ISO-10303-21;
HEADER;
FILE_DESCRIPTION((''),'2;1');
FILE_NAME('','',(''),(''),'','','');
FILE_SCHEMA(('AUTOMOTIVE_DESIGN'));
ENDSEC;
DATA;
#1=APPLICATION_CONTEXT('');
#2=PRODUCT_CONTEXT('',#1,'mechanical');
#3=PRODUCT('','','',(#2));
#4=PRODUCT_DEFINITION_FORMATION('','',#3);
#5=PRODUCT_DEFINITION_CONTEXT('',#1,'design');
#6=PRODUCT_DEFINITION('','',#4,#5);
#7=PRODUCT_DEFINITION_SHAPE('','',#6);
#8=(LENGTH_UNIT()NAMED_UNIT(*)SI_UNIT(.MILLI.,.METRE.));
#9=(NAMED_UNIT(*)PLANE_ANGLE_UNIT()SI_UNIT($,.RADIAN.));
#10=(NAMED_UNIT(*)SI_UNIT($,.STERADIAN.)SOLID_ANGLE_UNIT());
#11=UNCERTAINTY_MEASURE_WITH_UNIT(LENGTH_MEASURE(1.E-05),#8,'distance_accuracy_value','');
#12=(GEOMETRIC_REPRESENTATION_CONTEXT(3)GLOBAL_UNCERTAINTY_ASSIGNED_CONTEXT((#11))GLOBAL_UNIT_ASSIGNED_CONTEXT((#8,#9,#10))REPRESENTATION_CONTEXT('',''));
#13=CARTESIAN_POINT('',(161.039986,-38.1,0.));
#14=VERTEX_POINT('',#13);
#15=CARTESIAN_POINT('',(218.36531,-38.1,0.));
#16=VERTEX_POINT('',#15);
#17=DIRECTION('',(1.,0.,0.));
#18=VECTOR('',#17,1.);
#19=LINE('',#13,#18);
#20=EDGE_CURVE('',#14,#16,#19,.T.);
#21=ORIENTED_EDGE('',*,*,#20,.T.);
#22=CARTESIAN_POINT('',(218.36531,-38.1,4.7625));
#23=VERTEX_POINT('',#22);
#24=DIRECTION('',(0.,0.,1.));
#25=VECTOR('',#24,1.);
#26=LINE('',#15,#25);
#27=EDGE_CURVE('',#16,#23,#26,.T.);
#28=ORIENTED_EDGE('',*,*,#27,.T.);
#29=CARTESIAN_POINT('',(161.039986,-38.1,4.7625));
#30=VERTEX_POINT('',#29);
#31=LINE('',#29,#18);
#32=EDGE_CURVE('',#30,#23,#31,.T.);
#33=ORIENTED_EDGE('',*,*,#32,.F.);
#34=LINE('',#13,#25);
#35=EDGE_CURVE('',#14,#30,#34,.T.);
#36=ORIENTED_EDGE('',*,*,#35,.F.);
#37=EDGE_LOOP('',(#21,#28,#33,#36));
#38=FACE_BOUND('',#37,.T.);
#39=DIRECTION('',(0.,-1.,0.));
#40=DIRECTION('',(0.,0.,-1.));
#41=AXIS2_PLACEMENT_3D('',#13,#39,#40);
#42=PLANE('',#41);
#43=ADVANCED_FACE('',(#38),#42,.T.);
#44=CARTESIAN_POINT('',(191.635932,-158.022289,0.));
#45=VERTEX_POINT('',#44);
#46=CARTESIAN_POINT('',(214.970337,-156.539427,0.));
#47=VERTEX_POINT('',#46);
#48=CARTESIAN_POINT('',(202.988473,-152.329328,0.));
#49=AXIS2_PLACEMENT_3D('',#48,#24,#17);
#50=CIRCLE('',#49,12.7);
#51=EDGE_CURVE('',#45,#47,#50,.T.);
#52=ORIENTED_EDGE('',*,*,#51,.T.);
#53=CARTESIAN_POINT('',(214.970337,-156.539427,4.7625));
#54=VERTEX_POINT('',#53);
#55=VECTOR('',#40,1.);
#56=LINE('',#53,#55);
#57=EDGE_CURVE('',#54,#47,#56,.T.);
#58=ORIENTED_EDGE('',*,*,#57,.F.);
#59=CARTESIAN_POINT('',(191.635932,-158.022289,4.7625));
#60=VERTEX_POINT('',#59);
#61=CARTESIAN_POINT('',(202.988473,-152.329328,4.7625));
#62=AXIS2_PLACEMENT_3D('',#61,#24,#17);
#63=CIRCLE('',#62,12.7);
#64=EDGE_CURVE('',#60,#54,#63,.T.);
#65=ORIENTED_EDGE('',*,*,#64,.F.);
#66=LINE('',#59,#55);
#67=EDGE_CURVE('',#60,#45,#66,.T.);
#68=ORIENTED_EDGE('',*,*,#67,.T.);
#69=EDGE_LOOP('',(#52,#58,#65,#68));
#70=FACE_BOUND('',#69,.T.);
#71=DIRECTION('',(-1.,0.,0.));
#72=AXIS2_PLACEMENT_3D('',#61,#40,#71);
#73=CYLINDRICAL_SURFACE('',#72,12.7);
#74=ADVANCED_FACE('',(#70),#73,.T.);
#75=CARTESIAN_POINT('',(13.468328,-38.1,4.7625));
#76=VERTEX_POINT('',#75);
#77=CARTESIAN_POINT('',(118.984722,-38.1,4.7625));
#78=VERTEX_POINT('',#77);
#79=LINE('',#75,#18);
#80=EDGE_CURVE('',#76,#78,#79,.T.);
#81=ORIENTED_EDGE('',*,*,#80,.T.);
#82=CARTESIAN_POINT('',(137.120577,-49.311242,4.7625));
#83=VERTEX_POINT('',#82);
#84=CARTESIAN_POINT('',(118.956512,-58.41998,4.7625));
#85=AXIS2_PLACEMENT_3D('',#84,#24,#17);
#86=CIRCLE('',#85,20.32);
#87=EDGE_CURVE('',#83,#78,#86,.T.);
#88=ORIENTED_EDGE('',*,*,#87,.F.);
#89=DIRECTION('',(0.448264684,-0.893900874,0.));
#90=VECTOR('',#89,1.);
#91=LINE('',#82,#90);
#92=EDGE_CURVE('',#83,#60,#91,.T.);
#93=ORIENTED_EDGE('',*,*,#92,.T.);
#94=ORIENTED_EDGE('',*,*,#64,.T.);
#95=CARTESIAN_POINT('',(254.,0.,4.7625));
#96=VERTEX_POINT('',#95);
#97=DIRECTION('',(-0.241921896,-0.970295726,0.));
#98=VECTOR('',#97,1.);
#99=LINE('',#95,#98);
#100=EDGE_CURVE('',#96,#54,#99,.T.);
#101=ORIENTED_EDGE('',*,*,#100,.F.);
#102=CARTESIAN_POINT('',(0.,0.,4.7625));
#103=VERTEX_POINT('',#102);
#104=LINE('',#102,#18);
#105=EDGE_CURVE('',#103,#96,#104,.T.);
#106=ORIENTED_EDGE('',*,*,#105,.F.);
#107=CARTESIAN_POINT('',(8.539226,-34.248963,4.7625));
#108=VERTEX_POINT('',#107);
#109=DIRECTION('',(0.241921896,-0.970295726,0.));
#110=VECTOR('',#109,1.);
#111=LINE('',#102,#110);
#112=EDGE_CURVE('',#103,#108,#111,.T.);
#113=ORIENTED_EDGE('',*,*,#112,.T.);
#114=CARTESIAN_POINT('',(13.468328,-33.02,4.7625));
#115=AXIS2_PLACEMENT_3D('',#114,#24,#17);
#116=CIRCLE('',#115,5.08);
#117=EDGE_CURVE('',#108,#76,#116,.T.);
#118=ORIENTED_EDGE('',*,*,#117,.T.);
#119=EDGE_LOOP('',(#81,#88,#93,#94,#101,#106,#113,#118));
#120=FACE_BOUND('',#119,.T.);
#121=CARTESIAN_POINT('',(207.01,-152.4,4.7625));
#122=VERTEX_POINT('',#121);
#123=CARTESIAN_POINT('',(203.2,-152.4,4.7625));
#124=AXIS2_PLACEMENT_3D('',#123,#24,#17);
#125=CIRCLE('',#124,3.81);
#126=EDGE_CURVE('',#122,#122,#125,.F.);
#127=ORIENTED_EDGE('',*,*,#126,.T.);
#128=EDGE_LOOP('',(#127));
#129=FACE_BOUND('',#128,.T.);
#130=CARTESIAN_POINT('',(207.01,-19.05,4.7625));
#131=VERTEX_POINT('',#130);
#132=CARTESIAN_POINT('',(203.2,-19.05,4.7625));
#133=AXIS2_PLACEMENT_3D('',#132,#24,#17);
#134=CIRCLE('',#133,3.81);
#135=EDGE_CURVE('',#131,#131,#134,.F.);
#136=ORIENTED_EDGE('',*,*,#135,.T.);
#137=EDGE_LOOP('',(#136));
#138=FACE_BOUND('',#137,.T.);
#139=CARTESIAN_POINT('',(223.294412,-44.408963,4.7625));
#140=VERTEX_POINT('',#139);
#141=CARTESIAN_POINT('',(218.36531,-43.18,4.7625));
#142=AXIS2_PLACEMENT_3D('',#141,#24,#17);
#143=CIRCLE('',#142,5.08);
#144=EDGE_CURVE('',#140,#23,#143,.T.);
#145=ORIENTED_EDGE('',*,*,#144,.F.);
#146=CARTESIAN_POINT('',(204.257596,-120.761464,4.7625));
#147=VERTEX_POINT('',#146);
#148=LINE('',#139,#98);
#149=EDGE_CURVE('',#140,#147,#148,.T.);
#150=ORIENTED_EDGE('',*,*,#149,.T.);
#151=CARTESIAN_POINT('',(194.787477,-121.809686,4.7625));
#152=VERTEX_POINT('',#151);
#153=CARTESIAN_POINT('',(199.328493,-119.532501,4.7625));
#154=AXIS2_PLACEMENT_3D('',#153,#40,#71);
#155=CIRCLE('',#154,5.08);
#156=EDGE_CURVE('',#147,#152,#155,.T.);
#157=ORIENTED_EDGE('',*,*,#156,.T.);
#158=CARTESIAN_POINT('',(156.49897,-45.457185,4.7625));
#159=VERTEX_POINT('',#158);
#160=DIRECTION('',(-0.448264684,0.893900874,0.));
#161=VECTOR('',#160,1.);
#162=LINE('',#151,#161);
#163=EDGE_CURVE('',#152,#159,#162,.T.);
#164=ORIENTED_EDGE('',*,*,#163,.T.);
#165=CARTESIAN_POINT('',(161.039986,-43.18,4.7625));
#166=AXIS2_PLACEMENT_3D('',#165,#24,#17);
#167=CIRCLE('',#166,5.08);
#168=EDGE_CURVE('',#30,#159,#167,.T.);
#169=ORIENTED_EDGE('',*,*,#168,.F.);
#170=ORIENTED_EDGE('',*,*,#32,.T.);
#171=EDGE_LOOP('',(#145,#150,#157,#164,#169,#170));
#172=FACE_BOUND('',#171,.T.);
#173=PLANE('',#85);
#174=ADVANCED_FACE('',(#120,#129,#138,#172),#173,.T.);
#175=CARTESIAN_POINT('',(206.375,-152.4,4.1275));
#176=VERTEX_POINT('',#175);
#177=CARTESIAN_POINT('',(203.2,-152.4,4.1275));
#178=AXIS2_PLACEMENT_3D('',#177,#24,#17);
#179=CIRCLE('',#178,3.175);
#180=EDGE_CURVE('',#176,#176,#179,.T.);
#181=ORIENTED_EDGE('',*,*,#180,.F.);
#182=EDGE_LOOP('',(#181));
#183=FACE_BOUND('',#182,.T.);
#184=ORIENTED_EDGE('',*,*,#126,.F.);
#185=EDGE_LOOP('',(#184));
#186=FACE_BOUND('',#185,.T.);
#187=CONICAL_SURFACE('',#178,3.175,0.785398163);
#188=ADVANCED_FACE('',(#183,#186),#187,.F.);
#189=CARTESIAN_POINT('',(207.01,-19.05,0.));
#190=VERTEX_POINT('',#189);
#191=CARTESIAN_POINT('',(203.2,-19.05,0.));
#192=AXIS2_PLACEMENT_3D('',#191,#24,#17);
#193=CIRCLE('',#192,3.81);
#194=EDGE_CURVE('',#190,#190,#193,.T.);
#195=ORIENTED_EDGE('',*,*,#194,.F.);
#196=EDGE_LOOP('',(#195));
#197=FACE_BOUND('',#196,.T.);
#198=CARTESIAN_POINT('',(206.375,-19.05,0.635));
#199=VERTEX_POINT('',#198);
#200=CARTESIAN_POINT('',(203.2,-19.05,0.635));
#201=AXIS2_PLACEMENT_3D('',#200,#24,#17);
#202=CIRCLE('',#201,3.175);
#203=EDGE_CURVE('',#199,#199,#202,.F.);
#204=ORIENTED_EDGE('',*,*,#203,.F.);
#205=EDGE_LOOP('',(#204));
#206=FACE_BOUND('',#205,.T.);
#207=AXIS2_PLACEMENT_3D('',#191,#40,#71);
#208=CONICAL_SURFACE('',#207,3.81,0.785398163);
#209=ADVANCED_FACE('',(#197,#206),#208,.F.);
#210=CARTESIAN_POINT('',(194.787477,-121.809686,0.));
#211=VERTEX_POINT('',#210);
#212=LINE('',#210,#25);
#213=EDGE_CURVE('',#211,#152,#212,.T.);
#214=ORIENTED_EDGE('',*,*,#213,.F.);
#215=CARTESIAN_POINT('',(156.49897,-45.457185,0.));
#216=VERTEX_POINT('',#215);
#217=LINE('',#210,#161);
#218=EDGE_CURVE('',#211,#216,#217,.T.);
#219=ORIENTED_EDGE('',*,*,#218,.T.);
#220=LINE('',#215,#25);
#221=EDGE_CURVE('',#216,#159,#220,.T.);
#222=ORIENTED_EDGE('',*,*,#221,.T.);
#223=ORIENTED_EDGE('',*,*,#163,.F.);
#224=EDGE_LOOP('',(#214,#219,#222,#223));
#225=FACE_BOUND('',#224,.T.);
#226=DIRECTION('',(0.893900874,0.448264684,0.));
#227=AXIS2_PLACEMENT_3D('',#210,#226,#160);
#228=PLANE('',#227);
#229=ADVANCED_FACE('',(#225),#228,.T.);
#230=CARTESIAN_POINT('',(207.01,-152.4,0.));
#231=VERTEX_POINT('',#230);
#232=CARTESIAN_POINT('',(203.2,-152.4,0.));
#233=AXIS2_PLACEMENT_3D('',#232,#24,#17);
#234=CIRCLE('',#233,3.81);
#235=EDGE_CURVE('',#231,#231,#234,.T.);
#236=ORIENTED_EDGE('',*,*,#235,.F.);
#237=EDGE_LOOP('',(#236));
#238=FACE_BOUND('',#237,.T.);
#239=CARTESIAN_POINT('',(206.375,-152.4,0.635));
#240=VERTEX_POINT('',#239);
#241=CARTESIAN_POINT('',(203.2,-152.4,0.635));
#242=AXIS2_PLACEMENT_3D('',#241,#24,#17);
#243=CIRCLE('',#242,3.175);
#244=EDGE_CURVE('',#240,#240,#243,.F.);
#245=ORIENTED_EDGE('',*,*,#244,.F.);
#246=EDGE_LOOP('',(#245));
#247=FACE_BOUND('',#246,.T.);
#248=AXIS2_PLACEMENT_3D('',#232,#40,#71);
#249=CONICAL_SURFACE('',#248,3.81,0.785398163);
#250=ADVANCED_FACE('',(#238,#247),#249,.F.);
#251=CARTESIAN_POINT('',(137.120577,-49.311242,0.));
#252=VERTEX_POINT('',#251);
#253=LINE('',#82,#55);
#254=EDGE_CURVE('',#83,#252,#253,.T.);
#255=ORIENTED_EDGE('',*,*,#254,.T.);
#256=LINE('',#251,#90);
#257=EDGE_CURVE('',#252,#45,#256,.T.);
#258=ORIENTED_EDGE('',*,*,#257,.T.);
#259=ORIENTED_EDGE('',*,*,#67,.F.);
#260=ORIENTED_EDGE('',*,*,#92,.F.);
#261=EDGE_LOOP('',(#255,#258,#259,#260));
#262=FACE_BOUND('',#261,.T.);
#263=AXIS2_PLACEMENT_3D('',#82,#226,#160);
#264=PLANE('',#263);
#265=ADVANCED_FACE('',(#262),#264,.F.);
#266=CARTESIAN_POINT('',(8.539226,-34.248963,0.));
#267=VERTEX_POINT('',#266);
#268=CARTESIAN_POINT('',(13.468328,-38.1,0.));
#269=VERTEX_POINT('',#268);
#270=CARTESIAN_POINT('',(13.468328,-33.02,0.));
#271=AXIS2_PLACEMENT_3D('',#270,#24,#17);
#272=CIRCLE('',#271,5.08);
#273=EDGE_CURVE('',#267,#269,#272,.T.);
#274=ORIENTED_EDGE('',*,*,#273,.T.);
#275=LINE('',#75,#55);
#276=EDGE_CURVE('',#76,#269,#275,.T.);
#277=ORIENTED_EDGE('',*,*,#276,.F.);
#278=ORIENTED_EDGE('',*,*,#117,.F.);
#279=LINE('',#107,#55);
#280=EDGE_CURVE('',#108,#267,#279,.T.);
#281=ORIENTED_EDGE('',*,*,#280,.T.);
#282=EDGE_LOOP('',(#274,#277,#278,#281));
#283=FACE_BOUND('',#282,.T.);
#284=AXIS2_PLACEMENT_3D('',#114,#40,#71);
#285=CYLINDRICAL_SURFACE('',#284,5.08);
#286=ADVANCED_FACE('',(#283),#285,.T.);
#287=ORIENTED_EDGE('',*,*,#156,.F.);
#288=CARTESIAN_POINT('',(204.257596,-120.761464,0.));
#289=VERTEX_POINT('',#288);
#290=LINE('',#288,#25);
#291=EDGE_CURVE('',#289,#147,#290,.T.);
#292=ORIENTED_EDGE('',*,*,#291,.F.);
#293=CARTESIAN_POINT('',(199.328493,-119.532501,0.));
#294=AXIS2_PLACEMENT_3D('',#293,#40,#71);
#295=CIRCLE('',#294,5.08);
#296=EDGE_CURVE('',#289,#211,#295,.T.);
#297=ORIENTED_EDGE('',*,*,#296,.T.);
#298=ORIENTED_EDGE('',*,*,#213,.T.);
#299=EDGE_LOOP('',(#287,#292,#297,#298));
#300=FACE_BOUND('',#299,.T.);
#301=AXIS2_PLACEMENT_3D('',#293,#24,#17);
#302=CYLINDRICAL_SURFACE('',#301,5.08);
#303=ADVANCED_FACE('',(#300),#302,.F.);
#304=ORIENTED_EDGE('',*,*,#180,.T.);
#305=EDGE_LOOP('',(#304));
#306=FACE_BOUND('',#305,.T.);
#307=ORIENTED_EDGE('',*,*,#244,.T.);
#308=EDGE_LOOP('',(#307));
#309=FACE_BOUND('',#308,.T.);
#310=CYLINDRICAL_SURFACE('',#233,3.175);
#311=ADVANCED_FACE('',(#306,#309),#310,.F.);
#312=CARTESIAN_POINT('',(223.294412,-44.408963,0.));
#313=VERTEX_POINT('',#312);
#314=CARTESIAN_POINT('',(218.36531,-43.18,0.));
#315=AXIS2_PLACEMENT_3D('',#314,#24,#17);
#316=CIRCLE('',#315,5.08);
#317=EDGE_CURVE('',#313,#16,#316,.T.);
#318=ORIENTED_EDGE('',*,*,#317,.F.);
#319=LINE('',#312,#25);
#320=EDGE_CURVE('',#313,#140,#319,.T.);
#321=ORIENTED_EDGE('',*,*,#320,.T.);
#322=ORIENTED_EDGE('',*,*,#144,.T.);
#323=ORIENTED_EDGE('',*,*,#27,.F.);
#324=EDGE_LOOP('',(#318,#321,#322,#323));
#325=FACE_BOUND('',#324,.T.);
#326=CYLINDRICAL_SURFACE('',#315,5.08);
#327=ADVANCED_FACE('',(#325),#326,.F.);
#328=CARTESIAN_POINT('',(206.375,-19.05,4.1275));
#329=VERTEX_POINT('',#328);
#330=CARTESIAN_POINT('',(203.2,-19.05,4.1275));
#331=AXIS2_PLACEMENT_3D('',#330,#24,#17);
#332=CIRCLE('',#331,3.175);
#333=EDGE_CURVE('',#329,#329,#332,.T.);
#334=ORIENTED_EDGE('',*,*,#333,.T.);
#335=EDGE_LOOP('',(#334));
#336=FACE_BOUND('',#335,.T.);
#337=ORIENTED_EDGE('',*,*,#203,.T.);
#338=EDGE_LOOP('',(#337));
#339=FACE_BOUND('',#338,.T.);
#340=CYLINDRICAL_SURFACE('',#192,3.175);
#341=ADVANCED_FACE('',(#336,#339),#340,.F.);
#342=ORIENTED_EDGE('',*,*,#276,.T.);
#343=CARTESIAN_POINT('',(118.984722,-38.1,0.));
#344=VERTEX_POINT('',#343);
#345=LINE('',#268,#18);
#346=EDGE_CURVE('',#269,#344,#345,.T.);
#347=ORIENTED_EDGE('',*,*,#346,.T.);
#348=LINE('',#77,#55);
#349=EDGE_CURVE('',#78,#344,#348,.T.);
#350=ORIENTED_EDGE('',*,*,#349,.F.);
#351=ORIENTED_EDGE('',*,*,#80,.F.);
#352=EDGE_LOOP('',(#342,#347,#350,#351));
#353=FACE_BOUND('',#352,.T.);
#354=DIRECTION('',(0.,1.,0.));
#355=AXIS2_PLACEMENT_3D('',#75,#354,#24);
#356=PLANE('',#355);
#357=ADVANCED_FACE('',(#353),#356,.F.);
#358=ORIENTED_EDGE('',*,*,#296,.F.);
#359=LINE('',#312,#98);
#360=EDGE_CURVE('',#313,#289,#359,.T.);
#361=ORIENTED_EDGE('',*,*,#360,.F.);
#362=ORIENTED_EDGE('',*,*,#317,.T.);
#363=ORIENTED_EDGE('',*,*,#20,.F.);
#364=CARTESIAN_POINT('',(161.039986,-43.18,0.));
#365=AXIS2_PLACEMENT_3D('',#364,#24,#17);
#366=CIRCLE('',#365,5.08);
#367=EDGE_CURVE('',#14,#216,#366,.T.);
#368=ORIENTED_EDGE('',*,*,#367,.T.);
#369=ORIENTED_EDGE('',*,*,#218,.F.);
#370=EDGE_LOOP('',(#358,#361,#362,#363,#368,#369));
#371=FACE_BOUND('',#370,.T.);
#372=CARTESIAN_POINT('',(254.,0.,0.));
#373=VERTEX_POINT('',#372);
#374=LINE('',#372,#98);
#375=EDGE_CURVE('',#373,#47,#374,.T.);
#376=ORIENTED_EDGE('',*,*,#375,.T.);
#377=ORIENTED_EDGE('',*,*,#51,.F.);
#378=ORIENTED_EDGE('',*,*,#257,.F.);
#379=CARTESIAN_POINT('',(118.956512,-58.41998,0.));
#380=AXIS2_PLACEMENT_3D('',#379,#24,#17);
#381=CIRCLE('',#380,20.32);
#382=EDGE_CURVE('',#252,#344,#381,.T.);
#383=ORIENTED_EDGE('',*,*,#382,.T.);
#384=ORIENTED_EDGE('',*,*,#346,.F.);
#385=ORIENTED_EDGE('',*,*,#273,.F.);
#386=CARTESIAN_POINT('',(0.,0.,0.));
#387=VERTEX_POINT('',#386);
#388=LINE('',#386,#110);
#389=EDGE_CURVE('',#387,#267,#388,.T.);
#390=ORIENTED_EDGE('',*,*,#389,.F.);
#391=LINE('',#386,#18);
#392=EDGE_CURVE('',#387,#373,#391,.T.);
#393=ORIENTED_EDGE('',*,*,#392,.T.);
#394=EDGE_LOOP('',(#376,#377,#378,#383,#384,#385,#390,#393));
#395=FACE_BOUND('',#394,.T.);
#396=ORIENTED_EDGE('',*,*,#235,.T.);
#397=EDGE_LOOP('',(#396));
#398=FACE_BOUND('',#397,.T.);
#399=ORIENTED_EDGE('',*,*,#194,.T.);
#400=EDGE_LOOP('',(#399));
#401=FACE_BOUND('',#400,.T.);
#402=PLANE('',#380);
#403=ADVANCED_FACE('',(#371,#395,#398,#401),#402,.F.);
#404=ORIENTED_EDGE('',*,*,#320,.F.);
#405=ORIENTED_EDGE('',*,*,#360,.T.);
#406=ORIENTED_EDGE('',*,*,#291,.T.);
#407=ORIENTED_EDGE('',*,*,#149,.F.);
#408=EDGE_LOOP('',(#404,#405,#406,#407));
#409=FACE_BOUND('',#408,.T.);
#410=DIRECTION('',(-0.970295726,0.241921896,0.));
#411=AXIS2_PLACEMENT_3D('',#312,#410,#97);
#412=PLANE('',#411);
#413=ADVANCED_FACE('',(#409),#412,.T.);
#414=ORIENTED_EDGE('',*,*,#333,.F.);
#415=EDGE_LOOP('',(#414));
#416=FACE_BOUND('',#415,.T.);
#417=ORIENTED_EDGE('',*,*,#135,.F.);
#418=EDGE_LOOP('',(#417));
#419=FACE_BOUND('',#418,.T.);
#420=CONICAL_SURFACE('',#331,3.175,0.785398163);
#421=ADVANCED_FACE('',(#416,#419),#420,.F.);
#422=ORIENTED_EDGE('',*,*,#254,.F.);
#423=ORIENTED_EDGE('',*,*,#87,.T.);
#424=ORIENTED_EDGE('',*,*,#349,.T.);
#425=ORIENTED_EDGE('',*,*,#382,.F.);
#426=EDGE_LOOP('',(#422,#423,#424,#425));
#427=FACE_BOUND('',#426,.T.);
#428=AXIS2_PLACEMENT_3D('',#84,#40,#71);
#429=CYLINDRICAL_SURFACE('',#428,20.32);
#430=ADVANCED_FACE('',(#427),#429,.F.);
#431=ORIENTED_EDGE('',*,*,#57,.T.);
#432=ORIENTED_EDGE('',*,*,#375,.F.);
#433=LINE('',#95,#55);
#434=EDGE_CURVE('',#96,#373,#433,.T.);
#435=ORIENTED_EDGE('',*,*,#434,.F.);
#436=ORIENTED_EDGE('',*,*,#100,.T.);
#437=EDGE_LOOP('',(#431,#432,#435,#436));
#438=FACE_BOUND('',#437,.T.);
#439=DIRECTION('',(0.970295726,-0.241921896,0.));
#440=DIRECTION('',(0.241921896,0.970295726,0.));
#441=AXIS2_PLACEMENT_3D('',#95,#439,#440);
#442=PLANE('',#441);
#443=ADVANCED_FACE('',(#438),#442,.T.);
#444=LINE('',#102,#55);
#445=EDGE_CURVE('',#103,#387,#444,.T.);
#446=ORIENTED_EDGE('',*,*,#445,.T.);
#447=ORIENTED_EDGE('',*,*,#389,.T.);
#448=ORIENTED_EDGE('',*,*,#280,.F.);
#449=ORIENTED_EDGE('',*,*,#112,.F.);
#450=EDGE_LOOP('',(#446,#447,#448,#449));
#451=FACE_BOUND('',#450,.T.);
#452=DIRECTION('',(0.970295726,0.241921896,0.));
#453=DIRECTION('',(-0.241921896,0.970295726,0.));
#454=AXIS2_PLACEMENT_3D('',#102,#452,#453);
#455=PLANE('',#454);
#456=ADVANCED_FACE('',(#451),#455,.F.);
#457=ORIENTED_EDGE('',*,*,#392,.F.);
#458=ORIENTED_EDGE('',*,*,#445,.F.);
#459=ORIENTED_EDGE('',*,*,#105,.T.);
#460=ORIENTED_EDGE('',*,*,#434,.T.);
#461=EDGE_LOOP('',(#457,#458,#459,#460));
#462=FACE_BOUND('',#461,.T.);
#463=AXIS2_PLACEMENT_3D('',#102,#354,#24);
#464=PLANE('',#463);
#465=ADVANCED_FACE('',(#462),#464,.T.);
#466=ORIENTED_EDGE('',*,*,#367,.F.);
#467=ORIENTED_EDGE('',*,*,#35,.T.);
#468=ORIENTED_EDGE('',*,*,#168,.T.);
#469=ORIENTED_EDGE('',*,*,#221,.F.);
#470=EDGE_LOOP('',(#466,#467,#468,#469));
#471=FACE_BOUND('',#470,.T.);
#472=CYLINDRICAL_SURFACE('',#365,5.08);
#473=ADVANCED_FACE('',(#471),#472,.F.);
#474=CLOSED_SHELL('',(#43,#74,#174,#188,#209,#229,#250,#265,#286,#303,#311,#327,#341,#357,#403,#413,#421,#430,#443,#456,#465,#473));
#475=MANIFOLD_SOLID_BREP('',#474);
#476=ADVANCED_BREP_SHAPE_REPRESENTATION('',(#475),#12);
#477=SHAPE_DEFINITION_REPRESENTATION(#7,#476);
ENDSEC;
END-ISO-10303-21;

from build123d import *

# Parameters (mm, degrees)
BOSS_EXTRUDE1_DEPTH = 4.7625
SKETCH3_R           = 3.175
CUT_EXTRUDE1_DEPTH  = 4.7625
CUT_EXTRUDE2_DEPTH  = 4.7625
CHAMFER2_SIZE       = 0.635
CHAMFER3_SIZE       = 0.635
CHAMFER4_SIZE       = 0.635
CHAMFER5_SIZE       = 0.635


with BuildPart() as part:
    # Sketch1 → Boss-Extrude1 (new body)
    with BuildSketch(Plane.XY):
        with BuildLine():
            Line((0, 0), (254, 0))
            Line((254, 0), (214.97033738, -156.539426679))
            ThreePointArc((214.97033738, -156.539426679), (203.793912453, -165.003761521), (191.635932139, -158.022289387))
            Line((191.635932139, -158.022289387), (137.120577335, -49.311242034))
            ThreePointArc((137.120577335, -49.311242034), (129.641206804, -41.135892713), (118.984721667, -38.1))
            Line((118.984721667, -38.1), (13.468327891, -38.1))
            ThreePointArc((13.468327891, -38.1), (10.340767596, -37.023094628), (8.539225601, -34.24896323))
            Line((8.539225601, -34.24896323), (0, 0))
        make_face()
    extrude(amount=BOSS_EXTRUDE1_DEPTH)

    # Sketch3 → Cut-Extrude1 (cut)
    with BuildSketch(Plane.XY.offset(4.7625)):
        with Locations((203.2, -152.4)):
            Circle(SKETCH3_R)
        with Locations((203.2, -19.05)):
            Circle(SKETCH3_R)
    extrude(amount=-CUT_EXTRUDE1_DEPTH, mode=Mode.SUBTRACT)

    # Sketch4 → Cut-Extrude2 (cut)
    with BuildSketch(Plane.XY.offset(4.7625)):
        with BuildLine():
            Line((161.039986458, -38.1), (218.365309961, -38.1))
            ThreePointArc((218.365309961, -38.1), (222.368404589, -40.052439705), (223.294412251, -44.40896323))
            Line((223.294412251, -44.40896323), (204.257595645, -120.761464306))
            ThreePointArc((204.257595645, -120.761464306), (199.887371396, -124.581664902), (194.787476915, -121.809685673))
            Line((194.787476915, -121.809685673), (156.498970018, -45.457184596))
            ThreePointArc((156.498970018, -45.457184596), (156.717111388, -40.511826256), (161.039986458, -38.1))
        make_face()
    extrude(amount=-CUT_EXTRUDE2_DEPTH, mode=Mode.SUBTRACT)

    # Chamfer2
    chamfer2_edges = [part.edges().sort_by_distance(p)[0] for p in [
        (200.025, -152.4, 4.7625),
    ]]
    chamfer(chamfer2_edges, length=CHAMFER2_SIZE)

    # Chamfer3
    chamfer3_edges = [part.edges().sort_by_distance(p)[0] for p in [
        (200.025, -19.05, 4.7625),
    ]]
    chamfer(chamfer3_edges, length=CHAMFER3_SIZE)

    # Chamfer4
    chamfer4_edges = [part.edges().sort_by_distance(p)[0] for p in [
        (200.025, -19.05, 0),
    ]]
    chamfer(chamfer4_edges, length=CHAMFER4_SIZE)

    # Chamfer5
    chamfer5_edges = [part.edges().sort_by_distance(p)[0] for p in [
        (200.025, -152.4, 0),
    ]]
    chamfer(chamfer5_edges, length=CHAMFER5_SIZE)


solid = part.part
